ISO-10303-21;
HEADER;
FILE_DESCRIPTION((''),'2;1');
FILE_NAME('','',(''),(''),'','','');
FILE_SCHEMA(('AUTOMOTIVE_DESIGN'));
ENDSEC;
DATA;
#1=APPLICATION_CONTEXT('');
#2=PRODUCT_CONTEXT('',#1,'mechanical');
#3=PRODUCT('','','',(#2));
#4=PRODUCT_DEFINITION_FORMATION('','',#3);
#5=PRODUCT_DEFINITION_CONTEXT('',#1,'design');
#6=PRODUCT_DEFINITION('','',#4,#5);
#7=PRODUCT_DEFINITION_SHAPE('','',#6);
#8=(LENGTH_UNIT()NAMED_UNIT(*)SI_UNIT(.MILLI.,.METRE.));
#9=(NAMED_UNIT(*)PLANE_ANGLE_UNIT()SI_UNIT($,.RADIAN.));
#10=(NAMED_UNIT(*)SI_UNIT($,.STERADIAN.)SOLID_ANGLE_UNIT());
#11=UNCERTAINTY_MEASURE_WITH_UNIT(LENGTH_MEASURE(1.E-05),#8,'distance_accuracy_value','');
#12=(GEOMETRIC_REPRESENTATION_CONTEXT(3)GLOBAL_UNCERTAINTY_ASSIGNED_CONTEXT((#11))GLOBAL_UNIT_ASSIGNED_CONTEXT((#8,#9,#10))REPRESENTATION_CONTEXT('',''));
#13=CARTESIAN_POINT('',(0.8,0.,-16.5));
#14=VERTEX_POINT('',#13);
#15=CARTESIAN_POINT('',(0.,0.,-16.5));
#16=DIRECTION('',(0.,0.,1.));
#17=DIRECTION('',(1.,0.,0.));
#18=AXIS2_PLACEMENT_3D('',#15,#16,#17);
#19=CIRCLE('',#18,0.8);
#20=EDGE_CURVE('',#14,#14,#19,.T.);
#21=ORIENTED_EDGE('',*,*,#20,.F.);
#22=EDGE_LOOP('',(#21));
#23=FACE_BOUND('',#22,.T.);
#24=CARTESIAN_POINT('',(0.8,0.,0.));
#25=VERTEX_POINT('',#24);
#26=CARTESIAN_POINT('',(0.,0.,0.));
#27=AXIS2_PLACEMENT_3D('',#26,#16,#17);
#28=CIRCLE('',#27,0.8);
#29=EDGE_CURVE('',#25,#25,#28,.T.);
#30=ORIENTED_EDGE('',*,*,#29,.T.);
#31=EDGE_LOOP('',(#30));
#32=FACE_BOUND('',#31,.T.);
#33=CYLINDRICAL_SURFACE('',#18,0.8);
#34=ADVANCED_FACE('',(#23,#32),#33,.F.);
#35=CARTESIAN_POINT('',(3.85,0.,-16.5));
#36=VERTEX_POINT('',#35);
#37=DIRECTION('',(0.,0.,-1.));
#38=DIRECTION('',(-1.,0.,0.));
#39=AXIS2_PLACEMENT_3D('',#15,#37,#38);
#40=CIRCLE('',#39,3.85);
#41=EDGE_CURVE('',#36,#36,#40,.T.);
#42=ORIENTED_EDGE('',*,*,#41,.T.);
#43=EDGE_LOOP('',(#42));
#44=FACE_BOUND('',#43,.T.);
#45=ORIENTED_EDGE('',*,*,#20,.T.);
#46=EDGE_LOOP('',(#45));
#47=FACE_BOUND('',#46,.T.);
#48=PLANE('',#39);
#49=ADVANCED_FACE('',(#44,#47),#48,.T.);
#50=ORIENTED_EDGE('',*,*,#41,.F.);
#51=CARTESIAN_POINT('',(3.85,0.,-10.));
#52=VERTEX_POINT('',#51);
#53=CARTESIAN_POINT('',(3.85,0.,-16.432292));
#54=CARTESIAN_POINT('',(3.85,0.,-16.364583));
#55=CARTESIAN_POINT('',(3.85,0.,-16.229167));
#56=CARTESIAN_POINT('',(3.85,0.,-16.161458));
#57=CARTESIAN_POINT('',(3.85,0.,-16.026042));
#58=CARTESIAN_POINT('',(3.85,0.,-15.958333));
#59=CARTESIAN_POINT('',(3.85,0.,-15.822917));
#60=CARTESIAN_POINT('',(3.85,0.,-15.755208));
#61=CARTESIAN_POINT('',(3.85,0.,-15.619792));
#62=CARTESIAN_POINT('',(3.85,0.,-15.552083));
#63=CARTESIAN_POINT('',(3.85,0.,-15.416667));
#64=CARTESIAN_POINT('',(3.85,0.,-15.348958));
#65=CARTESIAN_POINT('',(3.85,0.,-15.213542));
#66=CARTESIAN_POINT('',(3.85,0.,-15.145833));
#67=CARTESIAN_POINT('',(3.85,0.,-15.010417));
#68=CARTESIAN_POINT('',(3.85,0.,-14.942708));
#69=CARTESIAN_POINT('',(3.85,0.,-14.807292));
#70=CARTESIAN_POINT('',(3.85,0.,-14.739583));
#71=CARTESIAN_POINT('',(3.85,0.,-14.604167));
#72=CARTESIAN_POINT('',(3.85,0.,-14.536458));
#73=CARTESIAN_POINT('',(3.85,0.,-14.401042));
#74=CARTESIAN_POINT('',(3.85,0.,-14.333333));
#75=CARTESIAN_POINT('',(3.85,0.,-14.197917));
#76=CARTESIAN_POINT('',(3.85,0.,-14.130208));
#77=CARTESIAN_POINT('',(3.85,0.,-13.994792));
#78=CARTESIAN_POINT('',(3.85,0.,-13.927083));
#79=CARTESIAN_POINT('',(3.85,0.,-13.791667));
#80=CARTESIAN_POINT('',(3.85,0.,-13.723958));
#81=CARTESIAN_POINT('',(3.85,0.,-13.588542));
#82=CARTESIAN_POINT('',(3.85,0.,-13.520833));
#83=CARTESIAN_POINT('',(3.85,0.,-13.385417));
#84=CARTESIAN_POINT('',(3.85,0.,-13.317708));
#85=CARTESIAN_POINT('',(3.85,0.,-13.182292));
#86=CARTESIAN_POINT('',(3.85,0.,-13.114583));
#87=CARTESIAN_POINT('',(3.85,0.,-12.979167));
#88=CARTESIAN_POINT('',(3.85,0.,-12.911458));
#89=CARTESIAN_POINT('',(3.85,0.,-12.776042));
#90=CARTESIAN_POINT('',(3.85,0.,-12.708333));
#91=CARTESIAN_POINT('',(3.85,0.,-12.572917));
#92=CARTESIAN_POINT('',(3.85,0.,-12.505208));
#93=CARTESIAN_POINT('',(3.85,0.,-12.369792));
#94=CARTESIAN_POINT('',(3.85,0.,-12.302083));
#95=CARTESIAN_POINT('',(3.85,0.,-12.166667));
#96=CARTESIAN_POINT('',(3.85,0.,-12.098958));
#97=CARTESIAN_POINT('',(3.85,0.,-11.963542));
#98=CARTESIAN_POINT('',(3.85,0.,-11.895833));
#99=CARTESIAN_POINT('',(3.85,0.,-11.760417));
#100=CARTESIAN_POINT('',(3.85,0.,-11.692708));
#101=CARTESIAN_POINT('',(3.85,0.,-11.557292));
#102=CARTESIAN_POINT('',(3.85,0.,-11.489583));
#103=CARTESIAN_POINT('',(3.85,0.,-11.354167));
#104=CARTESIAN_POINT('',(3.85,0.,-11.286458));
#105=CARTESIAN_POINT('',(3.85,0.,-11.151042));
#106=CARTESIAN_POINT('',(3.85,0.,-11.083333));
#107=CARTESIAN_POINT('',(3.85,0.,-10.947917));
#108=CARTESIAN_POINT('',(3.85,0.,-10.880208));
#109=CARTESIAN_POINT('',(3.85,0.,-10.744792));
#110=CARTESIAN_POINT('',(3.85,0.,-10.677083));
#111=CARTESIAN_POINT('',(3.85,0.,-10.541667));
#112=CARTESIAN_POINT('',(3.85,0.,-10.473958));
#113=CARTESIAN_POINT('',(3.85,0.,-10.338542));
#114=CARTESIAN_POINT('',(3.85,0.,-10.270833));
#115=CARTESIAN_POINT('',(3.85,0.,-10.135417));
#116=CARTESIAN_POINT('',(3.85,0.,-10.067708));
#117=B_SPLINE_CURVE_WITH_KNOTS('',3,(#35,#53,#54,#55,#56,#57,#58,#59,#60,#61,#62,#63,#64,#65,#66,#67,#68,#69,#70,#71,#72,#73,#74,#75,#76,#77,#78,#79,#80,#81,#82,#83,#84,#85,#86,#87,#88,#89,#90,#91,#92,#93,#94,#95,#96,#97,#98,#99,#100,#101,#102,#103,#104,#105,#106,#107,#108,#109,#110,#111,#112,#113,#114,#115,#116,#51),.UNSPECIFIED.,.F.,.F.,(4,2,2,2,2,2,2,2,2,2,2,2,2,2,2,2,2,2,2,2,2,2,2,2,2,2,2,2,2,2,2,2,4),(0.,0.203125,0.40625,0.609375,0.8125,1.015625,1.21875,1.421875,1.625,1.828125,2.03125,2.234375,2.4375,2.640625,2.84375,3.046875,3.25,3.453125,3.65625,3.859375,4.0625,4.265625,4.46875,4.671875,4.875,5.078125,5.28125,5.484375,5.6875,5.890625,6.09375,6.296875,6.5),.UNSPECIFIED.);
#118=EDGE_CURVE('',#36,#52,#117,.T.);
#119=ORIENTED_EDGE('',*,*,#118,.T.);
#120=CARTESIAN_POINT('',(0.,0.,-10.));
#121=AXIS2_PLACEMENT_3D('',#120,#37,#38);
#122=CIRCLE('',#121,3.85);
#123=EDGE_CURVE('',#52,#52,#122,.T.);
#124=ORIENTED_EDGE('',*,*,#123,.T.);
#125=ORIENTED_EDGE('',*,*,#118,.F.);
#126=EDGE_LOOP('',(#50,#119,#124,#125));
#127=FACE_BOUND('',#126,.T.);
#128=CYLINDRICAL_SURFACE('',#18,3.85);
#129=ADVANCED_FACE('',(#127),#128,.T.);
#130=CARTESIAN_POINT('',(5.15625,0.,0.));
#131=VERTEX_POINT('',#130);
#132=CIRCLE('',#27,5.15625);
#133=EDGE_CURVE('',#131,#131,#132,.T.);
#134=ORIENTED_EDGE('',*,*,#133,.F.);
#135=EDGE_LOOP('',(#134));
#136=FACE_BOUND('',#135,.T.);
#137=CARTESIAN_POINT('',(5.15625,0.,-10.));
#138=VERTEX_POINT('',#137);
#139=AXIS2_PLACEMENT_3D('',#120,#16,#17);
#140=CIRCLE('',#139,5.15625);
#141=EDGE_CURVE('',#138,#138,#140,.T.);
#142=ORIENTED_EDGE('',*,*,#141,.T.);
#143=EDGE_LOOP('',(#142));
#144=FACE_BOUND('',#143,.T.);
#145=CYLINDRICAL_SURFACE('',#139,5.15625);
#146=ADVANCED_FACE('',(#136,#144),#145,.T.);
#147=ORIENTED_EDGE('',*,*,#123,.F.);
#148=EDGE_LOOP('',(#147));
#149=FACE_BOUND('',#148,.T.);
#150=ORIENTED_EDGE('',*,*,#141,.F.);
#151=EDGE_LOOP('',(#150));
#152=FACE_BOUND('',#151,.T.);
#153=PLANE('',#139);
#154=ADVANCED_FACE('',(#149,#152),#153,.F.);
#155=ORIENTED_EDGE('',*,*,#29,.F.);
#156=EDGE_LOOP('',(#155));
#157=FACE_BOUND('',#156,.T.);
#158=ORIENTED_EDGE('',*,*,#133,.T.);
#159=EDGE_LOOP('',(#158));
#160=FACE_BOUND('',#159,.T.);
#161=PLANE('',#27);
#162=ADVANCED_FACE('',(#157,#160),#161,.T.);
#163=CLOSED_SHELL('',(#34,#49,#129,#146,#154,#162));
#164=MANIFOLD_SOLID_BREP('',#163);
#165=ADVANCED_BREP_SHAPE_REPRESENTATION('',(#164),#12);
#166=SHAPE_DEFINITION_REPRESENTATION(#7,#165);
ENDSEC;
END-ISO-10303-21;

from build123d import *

# Parameters (mm, degrees)
SKETCH2_R               = 5.156250121
BOSS_EXTRUDE1_DEPTH     = 10
SKETCH3_R               = 3.85
BOSS_EXTRUDE2_DEPTH     = 6.5
CUT_EXTRUDE1_DEPTH      = 19.039507494
CUT_EXTRUDE1_DEPTH_BACK = 19.039507494
SKETCH5_R               = 0.8


with BuildPart() as part:
    # Sketch2 → Boss-Extrude1 (new body)
    with BuildSketch(Plane.XY):
        Circle(SKETCH2_R)
    extrude(amount=-BOSS_EXTRUDE1_DEPTH)

    # Sketch3 → Boss-Extrude2 (add)
    with BuildSketch(Plane(origin=(0, 0, -10), x_dir=(-1, 0, 0), z_dir=(0, 0, -1))):
        with Locations(Location((0, 0, 0), (0, 0, 180))):
            Circle(SKETCH3_R)
    extrude(amount=BOSS_EXTRUDE2_DEPTH)

    # Sketch5 → Cut-Extrude1 (cut, two sides: drawn at the far end of the back side and taken through both)
    with BuildSketch(Plane.XY.offset(-CUT_EXTRUDE1_DEPTH_BACK)):
        Circle(SKETCH5_R)
    extrude(amount=CUT_EXTRUDE1_DEPTH + CUT_EXTRUDE1_DEPTH_BACK, mode=Mode.SUBTRACT)


solid = part.part
